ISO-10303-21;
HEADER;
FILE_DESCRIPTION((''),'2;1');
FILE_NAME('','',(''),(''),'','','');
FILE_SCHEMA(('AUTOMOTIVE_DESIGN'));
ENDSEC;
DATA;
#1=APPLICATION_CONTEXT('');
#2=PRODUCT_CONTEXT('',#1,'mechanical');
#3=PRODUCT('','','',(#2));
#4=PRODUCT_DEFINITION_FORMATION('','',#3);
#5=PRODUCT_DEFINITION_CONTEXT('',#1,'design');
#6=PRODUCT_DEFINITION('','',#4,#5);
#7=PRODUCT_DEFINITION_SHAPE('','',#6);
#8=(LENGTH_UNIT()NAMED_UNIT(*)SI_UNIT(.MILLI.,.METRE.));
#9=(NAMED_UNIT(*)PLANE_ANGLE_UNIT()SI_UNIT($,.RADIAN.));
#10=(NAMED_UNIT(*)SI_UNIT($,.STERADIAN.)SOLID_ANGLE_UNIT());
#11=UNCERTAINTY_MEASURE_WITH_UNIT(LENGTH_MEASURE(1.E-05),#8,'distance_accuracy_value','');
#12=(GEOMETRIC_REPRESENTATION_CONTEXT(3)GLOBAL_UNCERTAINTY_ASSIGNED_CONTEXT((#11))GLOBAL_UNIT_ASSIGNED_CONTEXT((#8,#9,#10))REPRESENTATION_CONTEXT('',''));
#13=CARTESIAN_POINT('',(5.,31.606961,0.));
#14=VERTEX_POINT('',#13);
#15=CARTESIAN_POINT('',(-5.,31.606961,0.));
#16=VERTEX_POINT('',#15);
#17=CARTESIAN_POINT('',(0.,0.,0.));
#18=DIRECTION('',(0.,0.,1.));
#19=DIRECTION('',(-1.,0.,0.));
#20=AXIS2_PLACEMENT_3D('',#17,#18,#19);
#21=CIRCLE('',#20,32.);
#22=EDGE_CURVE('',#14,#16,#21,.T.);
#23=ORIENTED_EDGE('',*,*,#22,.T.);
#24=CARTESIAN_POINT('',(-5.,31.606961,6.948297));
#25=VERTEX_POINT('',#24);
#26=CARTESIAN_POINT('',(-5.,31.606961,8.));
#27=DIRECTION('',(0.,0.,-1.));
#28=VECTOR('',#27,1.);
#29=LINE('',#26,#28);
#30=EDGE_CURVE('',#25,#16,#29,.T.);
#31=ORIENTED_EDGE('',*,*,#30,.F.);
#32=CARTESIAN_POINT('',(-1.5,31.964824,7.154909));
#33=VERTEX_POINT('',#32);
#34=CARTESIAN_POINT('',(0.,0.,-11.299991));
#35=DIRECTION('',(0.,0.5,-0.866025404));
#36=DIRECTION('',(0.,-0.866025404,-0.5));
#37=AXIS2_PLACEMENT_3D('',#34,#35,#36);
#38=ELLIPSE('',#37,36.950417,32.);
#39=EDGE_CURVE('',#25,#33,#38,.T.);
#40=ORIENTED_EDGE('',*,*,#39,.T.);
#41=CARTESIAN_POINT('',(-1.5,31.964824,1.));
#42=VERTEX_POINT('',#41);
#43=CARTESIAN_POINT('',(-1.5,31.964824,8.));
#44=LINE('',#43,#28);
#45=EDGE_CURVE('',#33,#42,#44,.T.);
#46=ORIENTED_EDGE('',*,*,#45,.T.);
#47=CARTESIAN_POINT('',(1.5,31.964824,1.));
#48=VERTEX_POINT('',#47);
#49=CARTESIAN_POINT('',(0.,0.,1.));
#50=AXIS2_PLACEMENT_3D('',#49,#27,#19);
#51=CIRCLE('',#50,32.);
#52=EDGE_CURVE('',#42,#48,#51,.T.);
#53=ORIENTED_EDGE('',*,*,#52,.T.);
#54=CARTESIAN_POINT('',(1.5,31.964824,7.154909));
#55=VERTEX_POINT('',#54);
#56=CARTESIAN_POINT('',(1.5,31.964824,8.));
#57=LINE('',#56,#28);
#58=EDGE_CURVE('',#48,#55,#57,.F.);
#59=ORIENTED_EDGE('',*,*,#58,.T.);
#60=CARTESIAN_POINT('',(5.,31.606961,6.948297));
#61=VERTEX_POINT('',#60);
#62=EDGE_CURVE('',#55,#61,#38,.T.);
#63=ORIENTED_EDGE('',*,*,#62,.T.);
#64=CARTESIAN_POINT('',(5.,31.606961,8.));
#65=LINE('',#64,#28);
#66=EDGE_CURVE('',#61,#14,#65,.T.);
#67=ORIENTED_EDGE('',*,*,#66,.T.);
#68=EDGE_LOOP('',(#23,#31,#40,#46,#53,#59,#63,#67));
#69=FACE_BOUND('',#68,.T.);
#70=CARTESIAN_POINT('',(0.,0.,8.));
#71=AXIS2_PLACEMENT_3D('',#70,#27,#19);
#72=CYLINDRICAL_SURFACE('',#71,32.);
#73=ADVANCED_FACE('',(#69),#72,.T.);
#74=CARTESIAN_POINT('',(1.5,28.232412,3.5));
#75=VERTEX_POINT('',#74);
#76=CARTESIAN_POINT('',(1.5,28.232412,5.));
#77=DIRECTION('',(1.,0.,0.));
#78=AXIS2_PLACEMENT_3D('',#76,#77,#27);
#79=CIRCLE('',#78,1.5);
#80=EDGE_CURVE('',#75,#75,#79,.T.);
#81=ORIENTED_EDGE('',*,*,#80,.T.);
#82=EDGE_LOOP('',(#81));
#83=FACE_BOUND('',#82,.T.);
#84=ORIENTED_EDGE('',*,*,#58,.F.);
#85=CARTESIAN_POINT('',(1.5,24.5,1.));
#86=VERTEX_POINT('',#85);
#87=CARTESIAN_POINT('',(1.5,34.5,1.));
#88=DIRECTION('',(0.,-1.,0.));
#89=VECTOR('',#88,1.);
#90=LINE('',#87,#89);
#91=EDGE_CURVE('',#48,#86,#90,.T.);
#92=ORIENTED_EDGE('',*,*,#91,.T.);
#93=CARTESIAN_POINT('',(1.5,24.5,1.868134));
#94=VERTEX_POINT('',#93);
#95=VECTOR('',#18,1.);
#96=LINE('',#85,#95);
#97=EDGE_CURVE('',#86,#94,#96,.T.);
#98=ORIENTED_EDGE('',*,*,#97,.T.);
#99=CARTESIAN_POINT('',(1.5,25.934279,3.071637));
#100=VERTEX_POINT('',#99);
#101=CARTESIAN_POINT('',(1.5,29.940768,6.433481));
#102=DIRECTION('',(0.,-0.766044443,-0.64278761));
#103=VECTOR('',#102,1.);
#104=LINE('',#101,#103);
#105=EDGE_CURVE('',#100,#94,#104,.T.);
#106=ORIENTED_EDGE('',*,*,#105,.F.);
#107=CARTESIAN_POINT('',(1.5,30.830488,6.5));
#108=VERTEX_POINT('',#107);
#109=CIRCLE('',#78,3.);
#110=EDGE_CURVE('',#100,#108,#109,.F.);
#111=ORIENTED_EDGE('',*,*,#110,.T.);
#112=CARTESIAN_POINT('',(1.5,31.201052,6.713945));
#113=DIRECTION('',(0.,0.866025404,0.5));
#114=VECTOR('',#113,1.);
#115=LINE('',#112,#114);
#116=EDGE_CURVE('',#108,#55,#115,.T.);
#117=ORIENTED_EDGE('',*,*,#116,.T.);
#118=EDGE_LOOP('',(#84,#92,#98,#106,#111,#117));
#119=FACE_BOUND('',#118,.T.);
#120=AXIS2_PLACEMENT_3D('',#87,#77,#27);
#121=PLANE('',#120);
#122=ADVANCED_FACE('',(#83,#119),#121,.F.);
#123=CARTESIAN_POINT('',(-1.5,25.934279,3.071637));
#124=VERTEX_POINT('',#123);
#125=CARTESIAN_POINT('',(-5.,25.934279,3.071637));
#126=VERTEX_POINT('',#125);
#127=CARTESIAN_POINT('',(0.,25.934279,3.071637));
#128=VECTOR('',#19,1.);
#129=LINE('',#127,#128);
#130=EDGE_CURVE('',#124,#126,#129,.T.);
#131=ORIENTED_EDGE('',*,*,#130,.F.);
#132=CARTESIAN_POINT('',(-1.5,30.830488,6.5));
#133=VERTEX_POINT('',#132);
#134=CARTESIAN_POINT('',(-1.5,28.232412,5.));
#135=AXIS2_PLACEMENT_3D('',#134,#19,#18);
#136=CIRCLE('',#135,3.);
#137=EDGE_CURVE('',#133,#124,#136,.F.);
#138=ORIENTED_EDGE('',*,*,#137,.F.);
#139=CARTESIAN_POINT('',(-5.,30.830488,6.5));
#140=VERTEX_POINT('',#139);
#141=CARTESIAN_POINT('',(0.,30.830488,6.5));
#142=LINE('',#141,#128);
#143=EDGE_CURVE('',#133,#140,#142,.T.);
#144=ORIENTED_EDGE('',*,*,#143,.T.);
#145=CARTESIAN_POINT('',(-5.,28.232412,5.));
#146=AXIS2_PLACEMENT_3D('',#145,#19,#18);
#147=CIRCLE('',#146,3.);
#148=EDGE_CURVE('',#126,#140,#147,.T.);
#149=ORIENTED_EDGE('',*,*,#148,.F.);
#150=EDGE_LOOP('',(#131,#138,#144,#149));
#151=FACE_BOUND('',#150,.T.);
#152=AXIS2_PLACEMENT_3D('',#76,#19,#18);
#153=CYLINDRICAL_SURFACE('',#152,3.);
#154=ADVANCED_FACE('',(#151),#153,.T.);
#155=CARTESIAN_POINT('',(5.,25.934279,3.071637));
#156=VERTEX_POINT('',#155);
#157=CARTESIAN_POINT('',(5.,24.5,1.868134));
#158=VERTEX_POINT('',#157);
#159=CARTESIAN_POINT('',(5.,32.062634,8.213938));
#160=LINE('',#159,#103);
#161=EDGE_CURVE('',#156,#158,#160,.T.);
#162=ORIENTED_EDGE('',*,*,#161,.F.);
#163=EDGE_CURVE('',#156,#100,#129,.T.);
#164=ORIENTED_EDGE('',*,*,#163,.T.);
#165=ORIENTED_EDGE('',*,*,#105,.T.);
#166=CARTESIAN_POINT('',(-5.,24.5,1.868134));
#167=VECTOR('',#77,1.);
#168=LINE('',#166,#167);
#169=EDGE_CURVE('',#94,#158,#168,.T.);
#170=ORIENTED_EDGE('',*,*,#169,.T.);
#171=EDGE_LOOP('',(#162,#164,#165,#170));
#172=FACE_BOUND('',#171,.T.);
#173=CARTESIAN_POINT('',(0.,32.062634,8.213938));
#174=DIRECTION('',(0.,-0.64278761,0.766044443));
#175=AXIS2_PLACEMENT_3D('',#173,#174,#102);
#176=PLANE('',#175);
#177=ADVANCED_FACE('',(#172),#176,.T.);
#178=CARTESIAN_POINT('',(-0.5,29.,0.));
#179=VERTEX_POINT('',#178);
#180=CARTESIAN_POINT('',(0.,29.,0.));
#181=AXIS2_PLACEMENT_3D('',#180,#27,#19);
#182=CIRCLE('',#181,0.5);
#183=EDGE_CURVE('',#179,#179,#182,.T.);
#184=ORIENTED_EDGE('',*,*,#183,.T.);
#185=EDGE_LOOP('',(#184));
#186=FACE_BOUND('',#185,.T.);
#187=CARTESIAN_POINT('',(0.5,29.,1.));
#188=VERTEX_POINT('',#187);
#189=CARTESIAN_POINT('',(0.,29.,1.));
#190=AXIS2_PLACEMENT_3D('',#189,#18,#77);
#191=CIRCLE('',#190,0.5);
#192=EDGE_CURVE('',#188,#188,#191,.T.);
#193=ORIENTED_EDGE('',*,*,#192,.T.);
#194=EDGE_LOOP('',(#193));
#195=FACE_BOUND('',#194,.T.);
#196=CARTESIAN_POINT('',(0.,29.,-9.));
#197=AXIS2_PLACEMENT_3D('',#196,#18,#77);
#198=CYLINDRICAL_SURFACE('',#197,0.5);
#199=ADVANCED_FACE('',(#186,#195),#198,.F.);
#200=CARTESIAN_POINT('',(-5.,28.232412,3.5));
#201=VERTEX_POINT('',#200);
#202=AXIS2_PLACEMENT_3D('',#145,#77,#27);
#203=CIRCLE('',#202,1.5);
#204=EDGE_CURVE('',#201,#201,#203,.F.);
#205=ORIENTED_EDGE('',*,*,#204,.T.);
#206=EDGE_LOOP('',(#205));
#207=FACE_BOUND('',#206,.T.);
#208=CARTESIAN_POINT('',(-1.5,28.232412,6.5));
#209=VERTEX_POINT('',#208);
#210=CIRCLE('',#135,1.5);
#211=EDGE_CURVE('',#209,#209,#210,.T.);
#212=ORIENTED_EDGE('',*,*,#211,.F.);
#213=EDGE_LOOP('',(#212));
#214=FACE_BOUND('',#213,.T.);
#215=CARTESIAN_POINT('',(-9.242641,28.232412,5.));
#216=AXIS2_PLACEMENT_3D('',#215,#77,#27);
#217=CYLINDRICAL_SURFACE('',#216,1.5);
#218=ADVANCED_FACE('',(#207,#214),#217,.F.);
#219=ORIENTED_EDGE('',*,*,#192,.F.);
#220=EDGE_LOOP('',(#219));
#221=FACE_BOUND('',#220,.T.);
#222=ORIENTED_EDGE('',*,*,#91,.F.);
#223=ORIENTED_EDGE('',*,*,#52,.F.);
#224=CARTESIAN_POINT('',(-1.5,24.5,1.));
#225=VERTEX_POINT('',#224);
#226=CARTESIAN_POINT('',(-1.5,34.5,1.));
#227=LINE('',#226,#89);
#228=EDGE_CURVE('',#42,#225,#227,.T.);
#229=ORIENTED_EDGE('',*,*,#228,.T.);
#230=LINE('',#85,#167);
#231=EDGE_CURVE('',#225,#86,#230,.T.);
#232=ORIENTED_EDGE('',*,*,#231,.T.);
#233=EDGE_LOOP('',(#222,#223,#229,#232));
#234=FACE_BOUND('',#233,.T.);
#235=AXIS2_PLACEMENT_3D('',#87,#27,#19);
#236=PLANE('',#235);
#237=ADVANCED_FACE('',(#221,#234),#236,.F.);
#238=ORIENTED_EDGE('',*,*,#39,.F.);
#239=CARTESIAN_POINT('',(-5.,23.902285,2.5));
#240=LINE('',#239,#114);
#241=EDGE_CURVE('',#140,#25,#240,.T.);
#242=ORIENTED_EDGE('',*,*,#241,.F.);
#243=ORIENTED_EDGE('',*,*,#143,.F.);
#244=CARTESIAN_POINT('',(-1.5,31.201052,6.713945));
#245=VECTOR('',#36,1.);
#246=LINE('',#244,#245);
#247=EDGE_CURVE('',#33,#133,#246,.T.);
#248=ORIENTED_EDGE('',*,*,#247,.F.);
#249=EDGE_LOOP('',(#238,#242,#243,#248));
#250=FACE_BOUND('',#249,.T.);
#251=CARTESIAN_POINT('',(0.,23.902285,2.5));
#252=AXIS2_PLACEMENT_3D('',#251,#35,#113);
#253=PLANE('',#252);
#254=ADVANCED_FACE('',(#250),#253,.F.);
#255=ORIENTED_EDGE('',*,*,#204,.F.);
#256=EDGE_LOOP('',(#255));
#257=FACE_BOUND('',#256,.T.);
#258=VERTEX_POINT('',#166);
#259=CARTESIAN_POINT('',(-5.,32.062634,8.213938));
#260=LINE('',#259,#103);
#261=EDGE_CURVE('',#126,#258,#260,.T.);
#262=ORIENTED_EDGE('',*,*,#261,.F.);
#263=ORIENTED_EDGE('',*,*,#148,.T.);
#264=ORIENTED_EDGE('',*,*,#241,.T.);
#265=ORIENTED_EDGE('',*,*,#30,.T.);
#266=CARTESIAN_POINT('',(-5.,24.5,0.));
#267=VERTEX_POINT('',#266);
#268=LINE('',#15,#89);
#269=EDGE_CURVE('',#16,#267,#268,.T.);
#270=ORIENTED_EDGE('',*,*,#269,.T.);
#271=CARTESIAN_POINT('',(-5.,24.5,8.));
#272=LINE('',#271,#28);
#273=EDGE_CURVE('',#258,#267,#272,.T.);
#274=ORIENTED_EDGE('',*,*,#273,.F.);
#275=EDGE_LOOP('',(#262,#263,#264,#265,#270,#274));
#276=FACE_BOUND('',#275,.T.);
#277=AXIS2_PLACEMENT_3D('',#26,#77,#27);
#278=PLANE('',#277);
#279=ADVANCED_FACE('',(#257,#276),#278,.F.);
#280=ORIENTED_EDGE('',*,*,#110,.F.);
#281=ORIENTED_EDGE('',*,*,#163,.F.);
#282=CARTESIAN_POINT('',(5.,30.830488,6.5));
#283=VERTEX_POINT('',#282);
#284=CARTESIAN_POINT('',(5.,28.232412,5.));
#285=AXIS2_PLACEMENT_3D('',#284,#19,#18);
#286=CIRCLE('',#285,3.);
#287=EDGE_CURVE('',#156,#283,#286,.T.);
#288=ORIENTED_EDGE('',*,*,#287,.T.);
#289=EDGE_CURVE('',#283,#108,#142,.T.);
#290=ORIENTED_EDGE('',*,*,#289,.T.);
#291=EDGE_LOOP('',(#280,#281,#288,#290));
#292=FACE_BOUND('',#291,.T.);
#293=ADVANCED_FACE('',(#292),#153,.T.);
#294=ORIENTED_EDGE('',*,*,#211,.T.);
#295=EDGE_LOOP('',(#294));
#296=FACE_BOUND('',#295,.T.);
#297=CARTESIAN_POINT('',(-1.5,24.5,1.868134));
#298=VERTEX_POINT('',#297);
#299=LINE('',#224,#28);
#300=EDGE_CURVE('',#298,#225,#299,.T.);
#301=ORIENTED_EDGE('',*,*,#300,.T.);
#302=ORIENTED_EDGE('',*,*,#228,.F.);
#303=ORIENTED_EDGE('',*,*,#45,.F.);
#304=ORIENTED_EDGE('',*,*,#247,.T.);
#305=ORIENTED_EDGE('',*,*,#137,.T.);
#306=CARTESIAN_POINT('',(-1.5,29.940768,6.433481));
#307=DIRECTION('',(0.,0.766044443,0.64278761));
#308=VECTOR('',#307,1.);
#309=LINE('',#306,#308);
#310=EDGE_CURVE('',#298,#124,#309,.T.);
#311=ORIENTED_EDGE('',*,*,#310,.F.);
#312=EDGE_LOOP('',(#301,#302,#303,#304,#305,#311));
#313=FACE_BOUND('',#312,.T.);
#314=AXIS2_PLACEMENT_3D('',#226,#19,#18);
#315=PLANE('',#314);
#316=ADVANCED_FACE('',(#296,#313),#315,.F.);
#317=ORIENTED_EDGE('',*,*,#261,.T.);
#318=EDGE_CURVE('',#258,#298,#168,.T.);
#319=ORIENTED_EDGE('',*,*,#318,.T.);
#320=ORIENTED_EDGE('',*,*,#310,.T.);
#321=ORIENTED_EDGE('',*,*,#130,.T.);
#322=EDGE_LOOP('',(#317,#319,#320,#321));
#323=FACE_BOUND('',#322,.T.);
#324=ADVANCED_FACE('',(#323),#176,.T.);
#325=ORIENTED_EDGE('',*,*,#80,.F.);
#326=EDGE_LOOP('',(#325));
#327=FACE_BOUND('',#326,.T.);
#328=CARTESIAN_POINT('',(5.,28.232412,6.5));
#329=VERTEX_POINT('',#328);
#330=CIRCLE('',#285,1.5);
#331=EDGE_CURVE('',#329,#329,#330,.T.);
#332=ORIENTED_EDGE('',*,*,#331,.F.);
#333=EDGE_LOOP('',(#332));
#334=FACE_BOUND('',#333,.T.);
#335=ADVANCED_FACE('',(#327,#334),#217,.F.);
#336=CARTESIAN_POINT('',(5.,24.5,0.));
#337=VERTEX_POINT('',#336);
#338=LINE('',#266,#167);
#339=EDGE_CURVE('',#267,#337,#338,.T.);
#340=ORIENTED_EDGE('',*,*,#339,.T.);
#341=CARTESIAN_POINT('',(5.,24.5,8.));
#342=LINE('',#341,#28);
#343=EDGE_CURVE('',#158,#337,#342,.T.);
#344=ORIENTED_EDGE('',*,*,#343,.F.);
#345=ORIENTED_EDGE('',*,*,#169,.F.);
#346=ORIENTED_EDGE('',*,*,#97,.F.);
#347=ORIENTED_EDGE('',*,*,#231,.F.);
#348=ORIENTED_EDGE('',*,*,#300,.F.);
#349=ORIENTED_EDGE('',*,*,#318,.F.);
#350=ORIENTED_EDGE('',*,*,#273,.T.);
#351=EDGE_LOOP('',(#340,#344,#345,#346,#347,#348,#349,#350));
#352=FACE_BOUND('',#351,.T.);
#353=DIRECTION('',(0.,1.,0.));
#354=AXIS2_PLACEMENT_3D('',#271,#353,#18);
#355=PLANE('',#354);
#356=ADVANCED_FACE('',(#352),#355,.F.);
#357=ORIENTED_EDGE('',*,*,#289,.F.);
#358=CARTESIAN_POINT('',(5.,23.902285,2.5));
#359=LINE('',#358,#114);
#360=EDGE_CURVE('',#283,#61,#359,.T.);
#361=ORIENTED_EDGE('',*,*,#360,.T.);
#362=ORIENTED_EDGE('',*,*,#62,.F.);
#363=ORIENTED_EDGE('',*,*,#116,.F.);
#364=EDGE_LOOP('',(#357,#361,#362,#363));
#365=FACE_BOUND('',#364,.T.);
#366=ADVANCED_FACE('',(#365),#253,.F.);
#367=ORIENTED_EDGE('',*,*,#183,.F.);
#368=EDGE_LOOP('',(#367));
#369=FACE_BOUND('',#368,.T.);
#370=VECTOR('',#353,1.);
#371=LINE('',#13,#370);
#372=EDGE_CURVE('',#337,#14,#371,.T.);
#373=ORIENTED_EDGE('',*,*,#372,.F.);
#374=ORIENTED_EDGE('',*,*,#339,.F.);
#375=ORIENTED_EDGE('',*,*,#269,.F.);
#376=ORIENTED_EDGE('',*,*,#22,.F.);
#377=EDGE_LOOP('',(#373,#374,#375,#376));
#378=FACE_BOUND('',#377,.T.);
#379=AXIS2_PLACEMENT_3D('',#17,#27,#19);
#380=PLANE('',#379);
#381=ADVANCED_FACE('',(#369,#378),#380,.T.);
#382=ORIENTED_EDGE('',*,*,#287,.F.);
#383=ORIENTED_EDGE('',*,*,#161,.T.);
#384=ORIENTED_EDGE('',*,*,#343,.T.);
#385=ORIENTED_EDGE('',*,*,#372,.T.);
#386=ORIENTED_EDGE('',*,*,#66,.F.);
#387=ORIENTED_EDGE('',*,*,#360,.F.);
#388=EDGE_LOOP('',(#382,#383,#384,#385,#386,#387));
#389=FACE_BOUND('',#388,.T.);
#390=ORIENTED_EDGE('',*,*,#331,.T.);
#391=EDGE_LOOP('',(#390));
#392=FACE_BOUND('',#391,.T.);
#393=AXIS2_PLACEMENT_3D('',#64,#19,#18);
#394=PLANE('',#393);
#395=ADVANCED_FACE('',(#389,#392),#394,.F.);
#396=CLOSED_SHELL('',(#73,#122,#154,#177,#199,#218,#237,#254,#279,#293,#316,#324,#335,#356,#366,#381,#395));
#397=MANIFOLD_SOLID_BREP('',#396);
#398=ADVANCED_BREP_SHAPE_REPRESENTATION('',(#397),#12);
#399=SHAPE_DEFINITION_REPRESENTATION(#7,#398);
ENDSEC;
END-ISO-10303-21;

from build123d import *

# Parameters (mm, degrees)
SALIENTE_EXTRUIR1_DEPTH            = 8
CROQUIS2_W                         = 3
CROQUIS2_H                         = 7
CORTAR_EXTRUIR1_DEPTH              = 10
CORTAR_EXTRUIR3_REACH              = 35.619
CROQUIS3_R                         = 1.5
CORTAR_EXTRUIR3_DIRECTION_2_REACH  = 35.619
CROQUIS6_W                         = 10
CROQUIS6_H                         = 7
CORTAR_REVOLUCI_N4_ANGLE           = 130
CORTAR_REVOLUCI_N4_OTHER_WAY_ANGLE = 60
CROQUIS7_R                         = 0.5
CORTAR_EXTRUIR4_DEPTH              = 10


with BuildPart() as part:
    # Croquis1 → Saliente-Extruir1 (new body)
    with BuildSketch(Plane.XY):
        with BuildLine():
            Line((-5, 31.606961259), (-5, 24.5))
            Line((-5, 24.5), (5, 24.5))
            Line((5, 24.5), (5, 31.606961259))
            ThreePointArc((5, 31.606961259), (0, 32), (-5, 31.606961259))
        make_face()
    extrude(amount=SALIENTE_EXTRUIR1_DEPTH)

    # Croquis2 → Cortar-Extruir1 (cut)
    with BuildSketch(Plane.XZ.offset(-24.5)):
        with Locations((0, 4.5)):
            Rectangle(CROQUIS2_W, CROQUIS2_H)
    extrude(amount=-CORTAR_EXTRUIR1_DEPTH, mode=Mode.SUBTRACT)

    # Cortar-Extruir3: up to this face of the body (flat: up to its plane)
    cortar_extruir3_end = Plane(part.part.faces().sort_by_distance((-5, 28.053480629, 4))[0])
    # Croquis3 → Cortar-Extruir3 (cut, up to the picked face)
    with BuildSketch(Plane(origin=(-1.5, 0, 0), x_dir=(0, 0, -1), z_dir=(1, 0, 0)), mode=Mode.PRIVATE) as cortar_extruir3_sk1:
        with Locations((-5, 28.232412208)):
            Circle(CROQUIS3_R)
    cortar_extruir3_tool1 = split(extrude(cortar_extruir3_sk1.sketch, amount=-CORTAR_EXTRUIR3_REACH, mode=Mode.PRIVATE), bisect_by=cortar_extruir3_end, keep=Keep.BOTH, mode=Mode.PRIVATE)
    add(cortar_extruir3_tool1.solids().sort_by(Axis((-1.5, 28.232412, 5), (-1, 0, 0)))[0], mode=Mode.SUBTRACT)

    # Cortar-Extruir3 direction 2: up to this face of the body (flat: up to its plane)
    cortar_extruir3_direction_2_end = Plane(part.part.faces().sort_by_distance((5, 28.053480629, 4))[0])
    # Croquis3 → Cortar-Extruir3 direction 2 (cut, up to the picked face)
    with BuildSketch(Plane(origin=(-1.5, 0, 0), x_dir=(0, 0, -1), z_dir=(1, 0, 0)), mode=Mode.PRIVATE) as cortar_extruir3_direction_2_sk1:
        with Locations((-5, 28.232412208)):
            Circle(CROQUIS3_R)
    cortar_extruir3_direction_2_tool1 = split(extrude(cortar_extruir3_direction_2_sk1.sketch, amount=CORTAR_EXTRUIR3_DIRECTION_2_REACH, mode=Mode.PRIVATE), bisect_by=cortar_extruir3_direction_2_end, keep=Keep.BOTH, mode=Mode.PRIVATE)
    add(cortar_extruir3_direction_2_tool1.solids().sort_by(Axis((-1.5, 28.232412, 5), (1, 0, 0)))[0], mode=Mode.SUBTRACT)

    # Croquis6 → Cortar-Revolución4 (revolve, cut)
    with BuildSketch(Plane(origin=(0, 28.232412208, 0), x_dir=(1, 0, 0), z_dir=(0, 1, 0))):
        with Locations((0, -11.5)):
            Rectangle(CROQUIS6_W, CROQUIS6_H)
    revolve(axis=Axis((1.5, 28.232412208, 5), (1, 0, 0)), revolution_arc=CORTAR_REVOLUCI_N4_ANGLE, mode=Mode.SUBTRACT)

    # Croquis6 → Cortar-Revolución4 other way (revolve, cut)
    with BuildSketch(Plane(origin=(0, 28.232412208, 0), x_dir=(1, 0, 0), z_dir=(0, 1, 0))):
        with Locations((0, -11.5)):
            Rectangle(CROQUIS6_W, CROQUIS6_H)
    revolve(axis=Axis((1.5, 28.232412208, 5), (-1, 0, 0)), revolution_arc=CORTAR_REVOLUCI_N4_OTHER_WAY_ANGLE, mode=Mode.SUBTRACT)

    # Croquis7 → Cortar-Extruir4 (cut)
    with BuildSketch(Plane.XY.offset(1)):
        with Locations((0, 29)):
            Circle(CROQUIS7_R)
    extrude(amount=-CORTAR_EXTRUIR4_DEPTH, mode=Mode.SUBTRACT)


solid = part.part
